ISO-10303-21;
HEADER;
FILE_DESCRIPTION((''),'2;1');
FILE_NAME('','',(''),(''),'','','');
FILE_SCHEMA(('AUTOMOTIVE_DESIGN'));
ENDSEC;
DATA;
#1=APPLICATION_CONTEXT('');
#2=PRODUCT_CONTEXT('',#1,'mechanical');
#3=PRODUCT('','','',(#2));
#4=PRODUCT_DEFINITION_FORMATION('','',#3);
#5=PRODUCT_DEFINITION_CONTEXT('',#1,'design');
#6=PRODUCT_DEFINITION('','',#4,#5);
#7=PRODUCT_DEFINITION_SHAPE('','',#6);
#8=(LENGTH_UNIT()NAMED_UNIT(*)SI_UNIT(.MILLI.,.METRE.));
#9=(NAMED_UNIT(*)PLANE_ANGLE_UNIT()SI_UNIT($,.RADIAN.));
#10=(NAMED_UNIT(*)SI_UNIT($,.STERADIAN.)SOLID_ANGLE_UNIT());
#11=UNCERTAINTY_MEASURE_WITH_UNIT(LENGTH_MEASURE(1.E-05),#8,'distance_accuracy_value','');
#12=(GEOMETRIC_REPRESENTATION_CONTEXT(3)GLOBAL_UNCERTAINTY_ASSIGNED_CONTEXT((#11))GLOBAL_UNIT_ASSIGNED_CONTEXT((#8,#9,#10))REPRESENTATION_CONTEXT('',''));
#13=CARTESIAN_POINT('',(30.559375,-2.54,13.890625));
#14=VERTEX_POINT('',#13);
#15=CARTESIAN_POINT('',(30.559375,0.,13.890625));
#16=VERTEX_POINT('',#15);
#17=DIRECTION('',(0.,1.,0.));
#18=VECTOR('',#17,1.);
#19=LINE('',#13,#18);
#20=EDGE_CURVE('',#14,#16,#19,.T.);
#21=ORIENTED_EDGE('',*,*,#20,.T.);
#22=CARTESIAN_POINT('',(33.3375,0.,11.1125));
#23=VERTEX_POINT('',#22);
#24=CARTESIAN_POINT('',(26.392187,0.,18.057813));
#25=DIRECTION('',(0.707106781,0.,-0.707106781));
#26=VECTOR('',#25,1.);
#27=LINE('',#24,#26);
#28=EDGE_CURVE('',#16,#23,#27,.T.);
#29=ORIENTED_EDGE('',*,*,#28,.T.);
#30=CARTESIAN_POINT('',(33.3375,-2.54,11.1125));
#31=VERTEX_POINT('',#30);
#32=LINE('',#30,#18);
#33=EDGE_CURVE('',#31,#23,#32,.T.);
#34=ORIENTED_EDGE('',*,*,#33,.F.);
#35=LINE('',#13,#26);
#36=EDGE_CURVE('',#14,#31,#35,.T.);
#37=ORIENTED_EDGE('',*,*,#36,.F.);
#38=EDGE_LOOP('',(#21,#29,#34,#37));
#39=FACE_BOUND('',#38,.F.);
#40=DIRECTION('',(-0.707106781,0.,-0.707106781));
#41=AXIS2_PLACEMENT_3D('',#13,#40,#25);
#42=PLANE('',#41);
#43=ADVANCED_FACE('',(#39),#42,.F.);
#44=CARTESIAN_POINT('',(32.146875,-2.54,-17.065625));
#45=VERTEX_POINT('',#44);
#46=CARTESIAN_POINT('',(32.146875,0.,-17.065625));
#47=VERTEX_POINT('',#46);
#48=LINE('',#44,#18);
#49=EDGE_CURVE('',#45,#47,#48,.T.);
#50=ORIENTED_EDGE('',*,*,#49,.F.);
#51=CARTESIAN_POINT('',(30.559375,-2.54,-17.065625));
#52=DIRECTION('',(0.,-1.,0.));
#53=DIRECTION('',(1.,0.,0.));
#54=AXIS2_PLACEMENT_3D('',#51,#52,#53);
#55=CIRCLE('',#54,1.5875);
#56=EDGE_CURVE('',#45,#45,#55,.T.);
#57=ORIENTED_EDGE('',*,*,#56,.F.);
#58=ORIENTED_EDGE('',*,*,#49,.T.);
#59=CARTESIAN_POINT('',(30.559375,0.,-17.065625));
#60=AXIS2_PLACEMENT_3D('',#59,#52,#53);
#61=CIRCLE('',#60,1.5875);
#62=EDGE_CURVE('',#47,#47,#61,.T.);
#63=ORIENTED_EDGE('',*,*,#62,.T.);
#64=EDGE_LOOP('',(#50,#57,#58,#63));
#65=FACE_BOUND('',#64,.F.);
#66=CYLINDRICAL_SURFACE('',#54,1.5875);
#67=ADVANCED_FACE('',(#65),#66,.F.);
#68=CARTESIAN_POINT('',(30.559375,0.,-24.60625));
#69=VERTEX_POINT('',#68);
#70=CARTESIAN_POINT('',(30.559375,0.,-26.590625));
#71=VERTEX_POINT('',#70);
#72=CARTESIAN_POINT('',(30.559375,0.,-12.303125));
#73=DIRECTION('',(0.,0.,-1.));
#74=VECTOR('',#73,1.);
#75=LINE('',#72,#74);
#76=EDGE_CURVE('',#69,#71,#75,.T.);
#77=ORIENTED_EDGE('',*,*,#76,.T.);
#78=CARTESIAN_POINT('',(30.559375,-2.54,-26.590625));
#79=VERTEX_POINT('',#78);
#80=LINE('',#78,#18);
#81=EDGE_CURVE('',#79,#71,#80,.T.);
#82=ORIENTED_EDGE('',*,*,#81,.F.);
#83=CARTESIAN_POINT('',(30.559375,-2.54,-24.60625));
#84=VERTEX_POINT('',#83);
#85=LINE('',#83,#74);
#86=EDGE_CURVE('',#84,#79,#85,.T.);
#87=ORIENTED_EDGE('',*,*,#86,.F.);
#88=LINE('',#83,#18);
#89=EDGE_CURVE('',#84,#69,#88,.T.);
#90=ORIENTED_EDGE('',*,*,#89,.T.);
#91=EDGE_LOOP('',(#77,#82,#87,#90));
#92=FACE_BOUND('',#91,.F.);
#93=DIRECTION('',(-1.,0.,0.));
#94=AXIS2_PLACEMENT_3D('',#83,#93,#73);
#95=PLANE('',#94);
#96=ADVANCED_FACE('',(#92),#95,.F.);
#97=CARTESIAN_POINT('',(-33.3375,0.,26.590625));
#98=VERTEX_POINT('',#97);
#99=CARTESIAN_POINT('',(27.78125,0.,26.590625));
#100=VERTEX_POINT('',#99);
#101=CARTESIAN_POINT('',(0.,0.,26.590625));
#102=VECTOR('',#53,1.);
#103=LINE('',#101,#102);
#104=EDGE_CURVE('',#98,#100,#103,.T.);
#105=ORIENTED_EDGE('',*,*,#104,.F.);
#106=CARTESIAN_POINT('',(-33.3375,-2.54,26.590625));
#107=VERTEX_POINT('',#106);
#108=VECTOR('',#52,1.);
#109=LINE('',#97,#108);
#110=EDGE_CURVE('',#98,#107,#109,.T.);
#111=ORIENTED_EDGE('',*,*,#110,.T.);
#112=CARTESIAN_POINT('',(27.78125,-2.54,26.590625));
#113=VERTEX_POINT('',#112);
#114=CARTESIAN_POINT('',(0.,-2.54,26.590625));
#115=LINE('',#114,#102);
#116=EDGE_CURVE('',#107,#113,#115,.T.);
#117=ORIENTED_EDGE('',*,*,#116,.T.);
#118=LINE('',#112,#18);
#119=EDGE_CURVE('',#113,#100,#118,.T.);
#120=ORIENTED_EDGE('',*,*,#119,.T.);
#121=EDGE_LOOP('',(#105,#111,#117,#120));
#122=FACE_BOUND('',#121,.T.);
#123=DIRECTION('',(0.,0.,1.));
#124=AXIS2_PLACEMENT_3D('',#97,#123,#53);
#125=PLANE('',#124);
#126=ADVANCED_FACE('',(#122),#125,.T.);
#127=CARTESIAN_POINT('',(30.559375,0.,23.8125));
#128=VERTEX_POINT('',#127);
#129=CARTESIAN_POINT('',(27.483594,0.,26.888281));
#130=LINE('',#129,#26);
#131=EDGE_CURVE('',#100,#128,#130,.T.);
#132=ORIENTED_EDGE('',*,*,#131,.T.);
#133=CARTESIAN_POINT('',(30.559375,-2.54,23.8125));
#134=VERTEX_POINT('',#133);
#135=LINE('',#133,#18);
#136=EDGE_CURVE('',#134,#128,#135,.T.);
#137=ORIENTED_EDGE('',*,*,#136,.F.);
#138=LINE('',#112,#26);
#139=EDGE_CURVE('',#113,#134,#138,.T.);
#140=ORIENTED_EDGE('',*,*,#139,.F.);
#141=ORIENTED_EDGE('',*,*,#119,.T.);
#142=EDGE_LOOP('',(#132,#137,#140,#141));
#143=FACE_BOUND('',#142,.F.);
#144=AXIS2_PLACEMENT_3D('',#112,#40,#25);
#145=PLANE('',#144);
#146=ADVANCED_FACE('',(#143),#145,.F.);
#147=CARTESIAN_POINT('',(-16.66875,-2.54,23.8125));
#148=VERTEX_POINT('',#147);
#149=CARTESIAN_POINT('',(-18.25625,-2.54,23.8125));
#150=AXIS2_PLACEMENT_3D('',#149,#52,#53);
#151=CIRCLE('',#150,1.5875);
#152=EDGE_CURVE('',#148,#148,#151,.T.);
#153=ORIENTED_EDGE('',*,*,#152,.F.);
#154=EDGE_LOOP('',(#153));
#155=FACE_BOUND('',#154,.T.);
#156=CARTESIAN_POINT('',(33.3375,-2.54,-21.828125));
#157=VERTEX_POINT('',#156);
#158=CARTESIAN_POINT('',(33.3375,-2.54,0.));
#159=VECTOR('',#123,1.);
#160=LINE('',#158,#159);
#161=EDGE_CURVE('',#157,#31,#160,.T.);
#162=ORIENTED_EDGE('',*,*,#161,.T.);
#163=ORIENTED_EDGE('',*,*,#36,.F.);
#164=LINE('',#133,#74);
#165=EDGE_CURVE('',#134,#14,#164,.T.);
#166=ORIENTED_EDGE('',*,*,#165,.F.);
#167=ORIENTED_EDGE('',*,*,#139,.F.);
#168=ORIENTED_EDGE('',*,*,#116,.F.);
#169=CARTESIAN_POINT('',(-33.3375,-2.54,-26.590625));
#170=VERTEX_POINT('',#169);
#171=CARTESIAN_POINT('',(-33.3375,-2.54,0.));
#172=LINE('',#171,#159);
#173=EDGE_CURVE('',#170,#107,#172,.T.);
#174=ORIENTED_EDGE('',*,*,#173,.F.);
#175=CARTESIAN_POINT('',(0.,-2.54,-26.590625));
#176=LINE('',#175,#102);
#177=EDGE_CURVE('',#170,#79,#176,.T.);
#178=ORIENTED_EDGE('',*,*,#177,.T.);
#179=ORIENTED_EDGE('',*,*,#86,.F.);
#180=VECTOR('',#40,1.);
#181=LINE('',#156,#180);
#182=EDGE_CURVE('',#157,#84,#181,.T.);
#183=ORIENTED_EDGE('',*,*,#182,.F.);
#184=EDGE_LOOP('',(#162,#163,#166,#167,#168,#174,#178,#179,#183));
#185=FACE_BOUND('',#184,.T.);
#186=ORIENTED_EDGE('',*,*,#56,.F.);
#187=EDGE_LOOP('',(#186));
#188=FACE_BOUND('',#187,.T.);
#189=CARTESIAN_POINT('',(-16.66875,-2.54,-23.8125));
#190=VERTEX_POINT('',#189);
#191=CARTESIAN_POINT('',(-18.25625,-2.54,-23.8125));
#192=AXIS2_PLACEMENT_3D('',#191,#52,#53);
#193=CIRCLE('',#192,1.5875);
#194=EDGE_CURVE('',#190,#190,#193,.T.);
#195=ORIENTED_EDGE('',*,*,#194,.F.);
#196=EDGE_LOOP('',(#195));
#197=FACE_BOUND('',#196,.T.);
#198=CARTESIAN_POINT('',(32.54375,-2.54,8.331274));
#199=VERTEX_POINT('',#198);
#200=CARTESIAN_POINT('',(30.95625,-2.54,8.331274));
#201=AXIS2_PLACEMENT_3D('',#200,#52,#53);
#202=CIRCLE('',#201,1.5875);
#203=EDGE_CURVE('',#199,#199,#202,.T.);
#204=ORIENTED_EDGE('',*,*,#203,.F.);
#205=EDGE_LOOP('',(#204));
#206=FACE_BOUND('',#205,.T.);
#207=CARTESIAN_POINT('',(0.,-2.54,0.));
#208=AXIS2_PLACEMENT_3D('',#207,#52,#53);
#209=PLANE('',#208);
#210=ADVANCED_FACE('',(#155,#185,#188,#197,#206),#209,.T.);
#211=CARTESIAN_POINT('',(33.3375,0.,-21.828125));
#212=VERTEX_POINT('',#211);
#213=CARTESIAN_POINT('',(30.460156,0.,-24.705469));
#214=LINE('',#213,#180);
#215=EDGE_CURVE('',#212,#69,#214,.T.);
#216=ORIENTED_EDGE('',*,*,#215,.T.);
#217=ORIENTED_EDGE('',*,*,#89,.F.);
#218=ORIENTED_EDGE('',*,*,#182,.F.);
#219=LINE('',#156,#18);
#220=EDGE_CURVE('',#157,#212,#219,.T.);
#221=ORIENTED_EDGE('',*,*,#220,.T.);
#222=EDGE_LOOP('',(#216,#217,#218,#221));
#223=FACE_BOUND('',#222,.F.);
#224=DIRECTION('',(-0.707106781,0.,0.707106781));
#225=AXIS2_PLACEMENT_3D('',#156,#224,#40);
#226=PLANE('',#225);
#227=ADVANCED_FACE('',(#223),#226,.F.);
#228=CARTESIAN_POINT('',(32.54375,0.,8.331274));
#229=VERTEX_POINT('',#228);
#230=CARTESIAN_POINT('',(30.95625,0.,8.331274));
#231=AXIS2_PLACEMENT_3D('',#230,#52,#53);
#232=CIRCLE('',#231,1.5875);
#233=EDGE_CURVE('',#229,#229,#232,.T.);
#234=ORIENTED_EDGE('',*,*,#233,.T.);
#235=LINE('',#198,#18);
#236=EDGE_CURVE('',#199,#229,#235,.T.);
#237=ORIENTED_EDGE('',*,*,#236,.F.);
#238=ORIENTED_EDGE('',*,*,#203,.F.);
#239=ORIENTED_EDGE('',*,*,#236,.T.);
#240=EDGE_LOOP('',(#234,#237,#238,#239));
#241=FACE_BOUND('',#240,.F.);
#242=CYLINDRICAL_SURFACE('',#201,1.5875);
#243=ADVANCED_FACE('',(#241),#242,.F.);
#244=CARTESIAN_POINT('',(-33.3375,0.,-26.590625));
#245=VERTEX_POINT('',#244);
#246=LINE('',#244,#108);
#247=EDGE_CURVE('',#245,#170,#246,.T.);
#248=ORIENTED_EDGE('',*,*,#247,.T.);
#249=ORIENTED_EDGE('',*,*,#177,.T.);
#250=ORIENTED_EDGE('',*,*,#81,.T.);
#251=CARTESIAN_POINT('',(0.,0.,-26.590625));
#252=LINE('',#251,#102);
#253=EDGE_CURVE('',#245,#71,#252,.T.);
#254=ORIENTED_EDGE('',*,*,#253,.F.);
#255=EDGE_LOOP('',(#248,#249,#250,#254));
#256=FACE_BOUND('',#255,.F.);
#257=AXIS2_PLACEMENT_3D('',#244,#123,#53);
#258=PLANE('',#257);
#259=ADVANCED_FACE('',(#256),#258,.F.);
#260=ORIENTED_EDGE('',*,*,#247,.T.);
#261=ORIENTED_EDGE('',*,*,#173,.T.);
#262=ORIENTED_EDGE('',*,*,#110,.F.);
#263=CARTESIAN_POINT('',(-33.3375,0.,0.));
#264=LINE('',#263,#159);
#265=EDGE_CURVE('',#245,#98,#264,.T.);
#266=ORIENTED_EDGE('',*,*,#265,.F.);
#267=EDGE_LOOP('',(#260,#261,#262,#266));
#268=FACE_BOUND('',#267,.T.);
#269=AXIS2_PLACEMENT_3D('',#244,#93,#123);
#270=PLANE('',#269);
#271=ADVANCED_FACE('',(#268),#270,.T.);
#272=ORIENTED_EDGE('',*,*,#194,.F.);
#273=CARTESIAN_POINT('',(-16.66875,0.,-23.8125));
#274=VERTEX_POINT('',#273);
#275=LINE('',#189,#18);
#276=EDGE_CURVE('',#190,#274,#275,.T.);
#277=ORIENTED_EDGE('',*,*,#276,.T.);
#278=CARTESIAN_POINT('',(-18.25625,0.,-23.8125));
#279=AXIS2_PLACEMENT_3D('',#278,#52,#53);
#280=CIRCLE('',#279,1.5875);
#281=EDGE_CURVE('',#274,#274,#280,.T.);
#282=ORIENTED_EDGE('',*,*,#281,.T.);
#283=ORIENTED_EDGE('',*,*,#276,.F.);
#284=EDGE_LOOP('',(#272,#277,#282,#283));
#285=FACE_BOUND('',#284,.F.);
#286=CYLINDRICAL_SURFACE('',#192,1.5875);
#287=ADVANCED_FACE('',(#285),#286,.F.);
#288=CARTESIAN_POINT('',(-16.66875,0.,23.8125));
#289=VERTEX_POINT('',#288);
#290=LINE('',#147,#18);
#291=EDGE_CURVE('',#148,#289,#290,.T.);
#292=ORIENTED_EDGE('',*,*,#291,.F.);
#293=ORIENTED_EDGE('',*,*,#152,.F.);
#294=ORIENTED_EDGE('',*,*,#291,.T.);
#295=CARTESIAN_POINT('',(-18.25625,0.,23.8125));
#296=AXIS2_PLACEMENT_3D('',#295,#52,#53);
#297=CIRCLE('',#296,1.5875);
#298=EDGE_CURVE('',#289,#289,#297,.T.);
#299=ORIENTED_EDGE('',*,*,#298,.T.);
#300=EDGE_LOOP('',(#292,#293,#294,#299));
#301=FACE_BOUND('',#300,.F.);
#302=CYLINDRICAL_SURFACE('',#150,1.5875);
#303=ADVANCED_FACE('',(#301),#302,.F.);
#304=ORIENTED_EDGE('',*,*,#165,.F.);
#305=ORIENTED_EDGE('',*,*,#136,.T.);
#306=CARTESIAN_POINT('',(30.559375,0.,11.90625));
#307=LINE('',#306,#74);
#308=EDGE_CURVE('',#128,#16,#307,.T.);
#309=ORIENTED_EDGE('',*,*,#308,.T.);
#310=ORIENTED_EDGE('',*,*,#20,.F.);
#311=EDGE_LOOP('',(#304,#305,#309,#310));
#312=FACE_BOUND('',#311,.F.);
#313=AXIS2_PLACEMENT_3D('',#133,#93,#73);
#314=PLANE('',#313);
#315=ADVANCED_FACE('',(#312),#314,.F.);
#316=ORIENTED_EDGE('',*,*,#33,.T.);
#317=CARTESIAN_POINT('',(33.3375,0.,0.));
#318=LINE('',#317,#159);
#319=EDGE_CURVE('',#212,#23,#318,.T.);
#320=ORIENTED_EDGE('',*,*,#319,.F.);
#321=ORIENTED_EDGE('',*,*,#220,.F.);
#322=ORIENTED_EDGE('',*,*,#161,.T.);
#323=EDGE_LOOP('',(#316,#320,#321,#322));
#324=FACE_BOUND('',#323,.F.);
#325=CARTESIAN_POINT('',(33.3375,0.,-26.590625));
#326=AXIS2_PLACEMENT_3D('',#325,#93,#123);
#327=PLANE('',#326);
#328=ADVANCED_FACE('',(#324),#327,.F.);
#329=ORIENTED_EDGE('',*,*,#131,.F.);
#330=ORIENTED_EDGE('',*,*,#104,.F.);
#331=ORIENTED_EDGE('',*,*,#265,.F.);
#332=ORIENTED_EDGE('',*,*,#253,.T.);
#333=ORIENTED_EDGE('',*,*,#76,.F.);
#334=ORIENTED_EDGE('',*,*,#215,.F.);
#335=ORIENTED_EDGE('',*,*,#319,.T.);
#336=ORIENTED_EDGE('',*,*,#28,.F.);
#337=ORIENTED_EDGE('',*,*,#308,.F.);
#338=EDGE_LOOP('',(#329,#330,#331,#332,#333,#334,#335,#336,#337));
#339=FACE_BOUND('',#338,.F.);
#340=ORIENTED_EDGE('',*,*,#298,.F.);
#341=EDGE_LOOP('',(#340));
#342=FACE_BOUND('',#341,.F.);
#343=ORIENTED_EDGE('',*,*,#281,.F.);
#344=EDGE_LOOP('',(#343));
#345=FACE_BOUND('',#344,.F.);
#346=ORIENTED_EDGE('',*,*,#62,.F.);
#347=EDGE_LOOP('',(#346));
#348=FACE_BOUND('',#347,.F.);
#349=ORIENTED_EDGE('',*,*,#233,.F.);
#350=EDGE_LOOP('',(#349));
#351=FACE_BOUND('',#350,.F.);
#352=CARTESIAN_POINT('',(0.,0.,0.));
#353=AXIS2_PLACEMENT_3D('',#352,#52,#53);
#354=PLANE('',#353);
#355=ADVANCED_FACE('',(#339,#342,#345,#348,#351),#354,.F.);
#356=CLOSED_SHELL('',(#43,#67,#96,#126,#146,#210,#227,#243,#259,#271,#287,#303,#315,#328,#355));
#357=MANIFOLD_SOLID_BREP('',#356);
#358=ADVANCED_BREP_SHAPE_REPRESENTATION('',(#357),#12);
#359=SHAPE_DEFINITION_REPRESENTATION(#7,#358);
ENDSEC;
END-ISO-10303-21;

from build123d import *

# Parameters (mm, degrees)
F0_W     = 66.675
F0_H     = 53.18125
F1_DEPTH = 2.54
F3_DEPTH = 25.4
F4_R     = 1.5875
F5_DEPTH = 25.4


with BuildPart() as f1:
    # F0 (on Front) → F1 (new body)
    with BuildSketch(Plane.XZ):
        Rectangle(F0_W, F0_H)
    extrude(amount=F1_DEPTH)

    # F2 (on face) → F3 (cut)
    with BuildSketch(Plane.XZ.offset(2.54)):
        Polygon((33.3375, 26.590625), (27.78125, 26.590625), (30.559375, 23.8125), (30.559375, 13.890625), (33.3375, 11.1125), align=None)
        Polygon((33.3375, -26.590625), (33.3375, -21.828125), (30.559375, -24.60625), (30.559375, -26.590625), align=None)
    extrude(amount=-F3_DEPTH, mode=Mode.SUBTRACT)

    # F4 (on face) → F5 (cut)
    with BuildSketch(Plane.XZ.offset(2.54)):
        with Locations((30.95625, 8.331274)):
            Circle(F4_R)
        with Locations((30.559375, -17.065625)):
            Circle(F4_R)
        with Locations((-18.25625, -23.8125)):
            Circle(F4_R)
        with Locations((-18.25625, 23.8125)):
            Circle(F4_R)
    extrude(amount=-F5_DEPTH, mode=Mode.SUBTRACT)


solid = f1.part
